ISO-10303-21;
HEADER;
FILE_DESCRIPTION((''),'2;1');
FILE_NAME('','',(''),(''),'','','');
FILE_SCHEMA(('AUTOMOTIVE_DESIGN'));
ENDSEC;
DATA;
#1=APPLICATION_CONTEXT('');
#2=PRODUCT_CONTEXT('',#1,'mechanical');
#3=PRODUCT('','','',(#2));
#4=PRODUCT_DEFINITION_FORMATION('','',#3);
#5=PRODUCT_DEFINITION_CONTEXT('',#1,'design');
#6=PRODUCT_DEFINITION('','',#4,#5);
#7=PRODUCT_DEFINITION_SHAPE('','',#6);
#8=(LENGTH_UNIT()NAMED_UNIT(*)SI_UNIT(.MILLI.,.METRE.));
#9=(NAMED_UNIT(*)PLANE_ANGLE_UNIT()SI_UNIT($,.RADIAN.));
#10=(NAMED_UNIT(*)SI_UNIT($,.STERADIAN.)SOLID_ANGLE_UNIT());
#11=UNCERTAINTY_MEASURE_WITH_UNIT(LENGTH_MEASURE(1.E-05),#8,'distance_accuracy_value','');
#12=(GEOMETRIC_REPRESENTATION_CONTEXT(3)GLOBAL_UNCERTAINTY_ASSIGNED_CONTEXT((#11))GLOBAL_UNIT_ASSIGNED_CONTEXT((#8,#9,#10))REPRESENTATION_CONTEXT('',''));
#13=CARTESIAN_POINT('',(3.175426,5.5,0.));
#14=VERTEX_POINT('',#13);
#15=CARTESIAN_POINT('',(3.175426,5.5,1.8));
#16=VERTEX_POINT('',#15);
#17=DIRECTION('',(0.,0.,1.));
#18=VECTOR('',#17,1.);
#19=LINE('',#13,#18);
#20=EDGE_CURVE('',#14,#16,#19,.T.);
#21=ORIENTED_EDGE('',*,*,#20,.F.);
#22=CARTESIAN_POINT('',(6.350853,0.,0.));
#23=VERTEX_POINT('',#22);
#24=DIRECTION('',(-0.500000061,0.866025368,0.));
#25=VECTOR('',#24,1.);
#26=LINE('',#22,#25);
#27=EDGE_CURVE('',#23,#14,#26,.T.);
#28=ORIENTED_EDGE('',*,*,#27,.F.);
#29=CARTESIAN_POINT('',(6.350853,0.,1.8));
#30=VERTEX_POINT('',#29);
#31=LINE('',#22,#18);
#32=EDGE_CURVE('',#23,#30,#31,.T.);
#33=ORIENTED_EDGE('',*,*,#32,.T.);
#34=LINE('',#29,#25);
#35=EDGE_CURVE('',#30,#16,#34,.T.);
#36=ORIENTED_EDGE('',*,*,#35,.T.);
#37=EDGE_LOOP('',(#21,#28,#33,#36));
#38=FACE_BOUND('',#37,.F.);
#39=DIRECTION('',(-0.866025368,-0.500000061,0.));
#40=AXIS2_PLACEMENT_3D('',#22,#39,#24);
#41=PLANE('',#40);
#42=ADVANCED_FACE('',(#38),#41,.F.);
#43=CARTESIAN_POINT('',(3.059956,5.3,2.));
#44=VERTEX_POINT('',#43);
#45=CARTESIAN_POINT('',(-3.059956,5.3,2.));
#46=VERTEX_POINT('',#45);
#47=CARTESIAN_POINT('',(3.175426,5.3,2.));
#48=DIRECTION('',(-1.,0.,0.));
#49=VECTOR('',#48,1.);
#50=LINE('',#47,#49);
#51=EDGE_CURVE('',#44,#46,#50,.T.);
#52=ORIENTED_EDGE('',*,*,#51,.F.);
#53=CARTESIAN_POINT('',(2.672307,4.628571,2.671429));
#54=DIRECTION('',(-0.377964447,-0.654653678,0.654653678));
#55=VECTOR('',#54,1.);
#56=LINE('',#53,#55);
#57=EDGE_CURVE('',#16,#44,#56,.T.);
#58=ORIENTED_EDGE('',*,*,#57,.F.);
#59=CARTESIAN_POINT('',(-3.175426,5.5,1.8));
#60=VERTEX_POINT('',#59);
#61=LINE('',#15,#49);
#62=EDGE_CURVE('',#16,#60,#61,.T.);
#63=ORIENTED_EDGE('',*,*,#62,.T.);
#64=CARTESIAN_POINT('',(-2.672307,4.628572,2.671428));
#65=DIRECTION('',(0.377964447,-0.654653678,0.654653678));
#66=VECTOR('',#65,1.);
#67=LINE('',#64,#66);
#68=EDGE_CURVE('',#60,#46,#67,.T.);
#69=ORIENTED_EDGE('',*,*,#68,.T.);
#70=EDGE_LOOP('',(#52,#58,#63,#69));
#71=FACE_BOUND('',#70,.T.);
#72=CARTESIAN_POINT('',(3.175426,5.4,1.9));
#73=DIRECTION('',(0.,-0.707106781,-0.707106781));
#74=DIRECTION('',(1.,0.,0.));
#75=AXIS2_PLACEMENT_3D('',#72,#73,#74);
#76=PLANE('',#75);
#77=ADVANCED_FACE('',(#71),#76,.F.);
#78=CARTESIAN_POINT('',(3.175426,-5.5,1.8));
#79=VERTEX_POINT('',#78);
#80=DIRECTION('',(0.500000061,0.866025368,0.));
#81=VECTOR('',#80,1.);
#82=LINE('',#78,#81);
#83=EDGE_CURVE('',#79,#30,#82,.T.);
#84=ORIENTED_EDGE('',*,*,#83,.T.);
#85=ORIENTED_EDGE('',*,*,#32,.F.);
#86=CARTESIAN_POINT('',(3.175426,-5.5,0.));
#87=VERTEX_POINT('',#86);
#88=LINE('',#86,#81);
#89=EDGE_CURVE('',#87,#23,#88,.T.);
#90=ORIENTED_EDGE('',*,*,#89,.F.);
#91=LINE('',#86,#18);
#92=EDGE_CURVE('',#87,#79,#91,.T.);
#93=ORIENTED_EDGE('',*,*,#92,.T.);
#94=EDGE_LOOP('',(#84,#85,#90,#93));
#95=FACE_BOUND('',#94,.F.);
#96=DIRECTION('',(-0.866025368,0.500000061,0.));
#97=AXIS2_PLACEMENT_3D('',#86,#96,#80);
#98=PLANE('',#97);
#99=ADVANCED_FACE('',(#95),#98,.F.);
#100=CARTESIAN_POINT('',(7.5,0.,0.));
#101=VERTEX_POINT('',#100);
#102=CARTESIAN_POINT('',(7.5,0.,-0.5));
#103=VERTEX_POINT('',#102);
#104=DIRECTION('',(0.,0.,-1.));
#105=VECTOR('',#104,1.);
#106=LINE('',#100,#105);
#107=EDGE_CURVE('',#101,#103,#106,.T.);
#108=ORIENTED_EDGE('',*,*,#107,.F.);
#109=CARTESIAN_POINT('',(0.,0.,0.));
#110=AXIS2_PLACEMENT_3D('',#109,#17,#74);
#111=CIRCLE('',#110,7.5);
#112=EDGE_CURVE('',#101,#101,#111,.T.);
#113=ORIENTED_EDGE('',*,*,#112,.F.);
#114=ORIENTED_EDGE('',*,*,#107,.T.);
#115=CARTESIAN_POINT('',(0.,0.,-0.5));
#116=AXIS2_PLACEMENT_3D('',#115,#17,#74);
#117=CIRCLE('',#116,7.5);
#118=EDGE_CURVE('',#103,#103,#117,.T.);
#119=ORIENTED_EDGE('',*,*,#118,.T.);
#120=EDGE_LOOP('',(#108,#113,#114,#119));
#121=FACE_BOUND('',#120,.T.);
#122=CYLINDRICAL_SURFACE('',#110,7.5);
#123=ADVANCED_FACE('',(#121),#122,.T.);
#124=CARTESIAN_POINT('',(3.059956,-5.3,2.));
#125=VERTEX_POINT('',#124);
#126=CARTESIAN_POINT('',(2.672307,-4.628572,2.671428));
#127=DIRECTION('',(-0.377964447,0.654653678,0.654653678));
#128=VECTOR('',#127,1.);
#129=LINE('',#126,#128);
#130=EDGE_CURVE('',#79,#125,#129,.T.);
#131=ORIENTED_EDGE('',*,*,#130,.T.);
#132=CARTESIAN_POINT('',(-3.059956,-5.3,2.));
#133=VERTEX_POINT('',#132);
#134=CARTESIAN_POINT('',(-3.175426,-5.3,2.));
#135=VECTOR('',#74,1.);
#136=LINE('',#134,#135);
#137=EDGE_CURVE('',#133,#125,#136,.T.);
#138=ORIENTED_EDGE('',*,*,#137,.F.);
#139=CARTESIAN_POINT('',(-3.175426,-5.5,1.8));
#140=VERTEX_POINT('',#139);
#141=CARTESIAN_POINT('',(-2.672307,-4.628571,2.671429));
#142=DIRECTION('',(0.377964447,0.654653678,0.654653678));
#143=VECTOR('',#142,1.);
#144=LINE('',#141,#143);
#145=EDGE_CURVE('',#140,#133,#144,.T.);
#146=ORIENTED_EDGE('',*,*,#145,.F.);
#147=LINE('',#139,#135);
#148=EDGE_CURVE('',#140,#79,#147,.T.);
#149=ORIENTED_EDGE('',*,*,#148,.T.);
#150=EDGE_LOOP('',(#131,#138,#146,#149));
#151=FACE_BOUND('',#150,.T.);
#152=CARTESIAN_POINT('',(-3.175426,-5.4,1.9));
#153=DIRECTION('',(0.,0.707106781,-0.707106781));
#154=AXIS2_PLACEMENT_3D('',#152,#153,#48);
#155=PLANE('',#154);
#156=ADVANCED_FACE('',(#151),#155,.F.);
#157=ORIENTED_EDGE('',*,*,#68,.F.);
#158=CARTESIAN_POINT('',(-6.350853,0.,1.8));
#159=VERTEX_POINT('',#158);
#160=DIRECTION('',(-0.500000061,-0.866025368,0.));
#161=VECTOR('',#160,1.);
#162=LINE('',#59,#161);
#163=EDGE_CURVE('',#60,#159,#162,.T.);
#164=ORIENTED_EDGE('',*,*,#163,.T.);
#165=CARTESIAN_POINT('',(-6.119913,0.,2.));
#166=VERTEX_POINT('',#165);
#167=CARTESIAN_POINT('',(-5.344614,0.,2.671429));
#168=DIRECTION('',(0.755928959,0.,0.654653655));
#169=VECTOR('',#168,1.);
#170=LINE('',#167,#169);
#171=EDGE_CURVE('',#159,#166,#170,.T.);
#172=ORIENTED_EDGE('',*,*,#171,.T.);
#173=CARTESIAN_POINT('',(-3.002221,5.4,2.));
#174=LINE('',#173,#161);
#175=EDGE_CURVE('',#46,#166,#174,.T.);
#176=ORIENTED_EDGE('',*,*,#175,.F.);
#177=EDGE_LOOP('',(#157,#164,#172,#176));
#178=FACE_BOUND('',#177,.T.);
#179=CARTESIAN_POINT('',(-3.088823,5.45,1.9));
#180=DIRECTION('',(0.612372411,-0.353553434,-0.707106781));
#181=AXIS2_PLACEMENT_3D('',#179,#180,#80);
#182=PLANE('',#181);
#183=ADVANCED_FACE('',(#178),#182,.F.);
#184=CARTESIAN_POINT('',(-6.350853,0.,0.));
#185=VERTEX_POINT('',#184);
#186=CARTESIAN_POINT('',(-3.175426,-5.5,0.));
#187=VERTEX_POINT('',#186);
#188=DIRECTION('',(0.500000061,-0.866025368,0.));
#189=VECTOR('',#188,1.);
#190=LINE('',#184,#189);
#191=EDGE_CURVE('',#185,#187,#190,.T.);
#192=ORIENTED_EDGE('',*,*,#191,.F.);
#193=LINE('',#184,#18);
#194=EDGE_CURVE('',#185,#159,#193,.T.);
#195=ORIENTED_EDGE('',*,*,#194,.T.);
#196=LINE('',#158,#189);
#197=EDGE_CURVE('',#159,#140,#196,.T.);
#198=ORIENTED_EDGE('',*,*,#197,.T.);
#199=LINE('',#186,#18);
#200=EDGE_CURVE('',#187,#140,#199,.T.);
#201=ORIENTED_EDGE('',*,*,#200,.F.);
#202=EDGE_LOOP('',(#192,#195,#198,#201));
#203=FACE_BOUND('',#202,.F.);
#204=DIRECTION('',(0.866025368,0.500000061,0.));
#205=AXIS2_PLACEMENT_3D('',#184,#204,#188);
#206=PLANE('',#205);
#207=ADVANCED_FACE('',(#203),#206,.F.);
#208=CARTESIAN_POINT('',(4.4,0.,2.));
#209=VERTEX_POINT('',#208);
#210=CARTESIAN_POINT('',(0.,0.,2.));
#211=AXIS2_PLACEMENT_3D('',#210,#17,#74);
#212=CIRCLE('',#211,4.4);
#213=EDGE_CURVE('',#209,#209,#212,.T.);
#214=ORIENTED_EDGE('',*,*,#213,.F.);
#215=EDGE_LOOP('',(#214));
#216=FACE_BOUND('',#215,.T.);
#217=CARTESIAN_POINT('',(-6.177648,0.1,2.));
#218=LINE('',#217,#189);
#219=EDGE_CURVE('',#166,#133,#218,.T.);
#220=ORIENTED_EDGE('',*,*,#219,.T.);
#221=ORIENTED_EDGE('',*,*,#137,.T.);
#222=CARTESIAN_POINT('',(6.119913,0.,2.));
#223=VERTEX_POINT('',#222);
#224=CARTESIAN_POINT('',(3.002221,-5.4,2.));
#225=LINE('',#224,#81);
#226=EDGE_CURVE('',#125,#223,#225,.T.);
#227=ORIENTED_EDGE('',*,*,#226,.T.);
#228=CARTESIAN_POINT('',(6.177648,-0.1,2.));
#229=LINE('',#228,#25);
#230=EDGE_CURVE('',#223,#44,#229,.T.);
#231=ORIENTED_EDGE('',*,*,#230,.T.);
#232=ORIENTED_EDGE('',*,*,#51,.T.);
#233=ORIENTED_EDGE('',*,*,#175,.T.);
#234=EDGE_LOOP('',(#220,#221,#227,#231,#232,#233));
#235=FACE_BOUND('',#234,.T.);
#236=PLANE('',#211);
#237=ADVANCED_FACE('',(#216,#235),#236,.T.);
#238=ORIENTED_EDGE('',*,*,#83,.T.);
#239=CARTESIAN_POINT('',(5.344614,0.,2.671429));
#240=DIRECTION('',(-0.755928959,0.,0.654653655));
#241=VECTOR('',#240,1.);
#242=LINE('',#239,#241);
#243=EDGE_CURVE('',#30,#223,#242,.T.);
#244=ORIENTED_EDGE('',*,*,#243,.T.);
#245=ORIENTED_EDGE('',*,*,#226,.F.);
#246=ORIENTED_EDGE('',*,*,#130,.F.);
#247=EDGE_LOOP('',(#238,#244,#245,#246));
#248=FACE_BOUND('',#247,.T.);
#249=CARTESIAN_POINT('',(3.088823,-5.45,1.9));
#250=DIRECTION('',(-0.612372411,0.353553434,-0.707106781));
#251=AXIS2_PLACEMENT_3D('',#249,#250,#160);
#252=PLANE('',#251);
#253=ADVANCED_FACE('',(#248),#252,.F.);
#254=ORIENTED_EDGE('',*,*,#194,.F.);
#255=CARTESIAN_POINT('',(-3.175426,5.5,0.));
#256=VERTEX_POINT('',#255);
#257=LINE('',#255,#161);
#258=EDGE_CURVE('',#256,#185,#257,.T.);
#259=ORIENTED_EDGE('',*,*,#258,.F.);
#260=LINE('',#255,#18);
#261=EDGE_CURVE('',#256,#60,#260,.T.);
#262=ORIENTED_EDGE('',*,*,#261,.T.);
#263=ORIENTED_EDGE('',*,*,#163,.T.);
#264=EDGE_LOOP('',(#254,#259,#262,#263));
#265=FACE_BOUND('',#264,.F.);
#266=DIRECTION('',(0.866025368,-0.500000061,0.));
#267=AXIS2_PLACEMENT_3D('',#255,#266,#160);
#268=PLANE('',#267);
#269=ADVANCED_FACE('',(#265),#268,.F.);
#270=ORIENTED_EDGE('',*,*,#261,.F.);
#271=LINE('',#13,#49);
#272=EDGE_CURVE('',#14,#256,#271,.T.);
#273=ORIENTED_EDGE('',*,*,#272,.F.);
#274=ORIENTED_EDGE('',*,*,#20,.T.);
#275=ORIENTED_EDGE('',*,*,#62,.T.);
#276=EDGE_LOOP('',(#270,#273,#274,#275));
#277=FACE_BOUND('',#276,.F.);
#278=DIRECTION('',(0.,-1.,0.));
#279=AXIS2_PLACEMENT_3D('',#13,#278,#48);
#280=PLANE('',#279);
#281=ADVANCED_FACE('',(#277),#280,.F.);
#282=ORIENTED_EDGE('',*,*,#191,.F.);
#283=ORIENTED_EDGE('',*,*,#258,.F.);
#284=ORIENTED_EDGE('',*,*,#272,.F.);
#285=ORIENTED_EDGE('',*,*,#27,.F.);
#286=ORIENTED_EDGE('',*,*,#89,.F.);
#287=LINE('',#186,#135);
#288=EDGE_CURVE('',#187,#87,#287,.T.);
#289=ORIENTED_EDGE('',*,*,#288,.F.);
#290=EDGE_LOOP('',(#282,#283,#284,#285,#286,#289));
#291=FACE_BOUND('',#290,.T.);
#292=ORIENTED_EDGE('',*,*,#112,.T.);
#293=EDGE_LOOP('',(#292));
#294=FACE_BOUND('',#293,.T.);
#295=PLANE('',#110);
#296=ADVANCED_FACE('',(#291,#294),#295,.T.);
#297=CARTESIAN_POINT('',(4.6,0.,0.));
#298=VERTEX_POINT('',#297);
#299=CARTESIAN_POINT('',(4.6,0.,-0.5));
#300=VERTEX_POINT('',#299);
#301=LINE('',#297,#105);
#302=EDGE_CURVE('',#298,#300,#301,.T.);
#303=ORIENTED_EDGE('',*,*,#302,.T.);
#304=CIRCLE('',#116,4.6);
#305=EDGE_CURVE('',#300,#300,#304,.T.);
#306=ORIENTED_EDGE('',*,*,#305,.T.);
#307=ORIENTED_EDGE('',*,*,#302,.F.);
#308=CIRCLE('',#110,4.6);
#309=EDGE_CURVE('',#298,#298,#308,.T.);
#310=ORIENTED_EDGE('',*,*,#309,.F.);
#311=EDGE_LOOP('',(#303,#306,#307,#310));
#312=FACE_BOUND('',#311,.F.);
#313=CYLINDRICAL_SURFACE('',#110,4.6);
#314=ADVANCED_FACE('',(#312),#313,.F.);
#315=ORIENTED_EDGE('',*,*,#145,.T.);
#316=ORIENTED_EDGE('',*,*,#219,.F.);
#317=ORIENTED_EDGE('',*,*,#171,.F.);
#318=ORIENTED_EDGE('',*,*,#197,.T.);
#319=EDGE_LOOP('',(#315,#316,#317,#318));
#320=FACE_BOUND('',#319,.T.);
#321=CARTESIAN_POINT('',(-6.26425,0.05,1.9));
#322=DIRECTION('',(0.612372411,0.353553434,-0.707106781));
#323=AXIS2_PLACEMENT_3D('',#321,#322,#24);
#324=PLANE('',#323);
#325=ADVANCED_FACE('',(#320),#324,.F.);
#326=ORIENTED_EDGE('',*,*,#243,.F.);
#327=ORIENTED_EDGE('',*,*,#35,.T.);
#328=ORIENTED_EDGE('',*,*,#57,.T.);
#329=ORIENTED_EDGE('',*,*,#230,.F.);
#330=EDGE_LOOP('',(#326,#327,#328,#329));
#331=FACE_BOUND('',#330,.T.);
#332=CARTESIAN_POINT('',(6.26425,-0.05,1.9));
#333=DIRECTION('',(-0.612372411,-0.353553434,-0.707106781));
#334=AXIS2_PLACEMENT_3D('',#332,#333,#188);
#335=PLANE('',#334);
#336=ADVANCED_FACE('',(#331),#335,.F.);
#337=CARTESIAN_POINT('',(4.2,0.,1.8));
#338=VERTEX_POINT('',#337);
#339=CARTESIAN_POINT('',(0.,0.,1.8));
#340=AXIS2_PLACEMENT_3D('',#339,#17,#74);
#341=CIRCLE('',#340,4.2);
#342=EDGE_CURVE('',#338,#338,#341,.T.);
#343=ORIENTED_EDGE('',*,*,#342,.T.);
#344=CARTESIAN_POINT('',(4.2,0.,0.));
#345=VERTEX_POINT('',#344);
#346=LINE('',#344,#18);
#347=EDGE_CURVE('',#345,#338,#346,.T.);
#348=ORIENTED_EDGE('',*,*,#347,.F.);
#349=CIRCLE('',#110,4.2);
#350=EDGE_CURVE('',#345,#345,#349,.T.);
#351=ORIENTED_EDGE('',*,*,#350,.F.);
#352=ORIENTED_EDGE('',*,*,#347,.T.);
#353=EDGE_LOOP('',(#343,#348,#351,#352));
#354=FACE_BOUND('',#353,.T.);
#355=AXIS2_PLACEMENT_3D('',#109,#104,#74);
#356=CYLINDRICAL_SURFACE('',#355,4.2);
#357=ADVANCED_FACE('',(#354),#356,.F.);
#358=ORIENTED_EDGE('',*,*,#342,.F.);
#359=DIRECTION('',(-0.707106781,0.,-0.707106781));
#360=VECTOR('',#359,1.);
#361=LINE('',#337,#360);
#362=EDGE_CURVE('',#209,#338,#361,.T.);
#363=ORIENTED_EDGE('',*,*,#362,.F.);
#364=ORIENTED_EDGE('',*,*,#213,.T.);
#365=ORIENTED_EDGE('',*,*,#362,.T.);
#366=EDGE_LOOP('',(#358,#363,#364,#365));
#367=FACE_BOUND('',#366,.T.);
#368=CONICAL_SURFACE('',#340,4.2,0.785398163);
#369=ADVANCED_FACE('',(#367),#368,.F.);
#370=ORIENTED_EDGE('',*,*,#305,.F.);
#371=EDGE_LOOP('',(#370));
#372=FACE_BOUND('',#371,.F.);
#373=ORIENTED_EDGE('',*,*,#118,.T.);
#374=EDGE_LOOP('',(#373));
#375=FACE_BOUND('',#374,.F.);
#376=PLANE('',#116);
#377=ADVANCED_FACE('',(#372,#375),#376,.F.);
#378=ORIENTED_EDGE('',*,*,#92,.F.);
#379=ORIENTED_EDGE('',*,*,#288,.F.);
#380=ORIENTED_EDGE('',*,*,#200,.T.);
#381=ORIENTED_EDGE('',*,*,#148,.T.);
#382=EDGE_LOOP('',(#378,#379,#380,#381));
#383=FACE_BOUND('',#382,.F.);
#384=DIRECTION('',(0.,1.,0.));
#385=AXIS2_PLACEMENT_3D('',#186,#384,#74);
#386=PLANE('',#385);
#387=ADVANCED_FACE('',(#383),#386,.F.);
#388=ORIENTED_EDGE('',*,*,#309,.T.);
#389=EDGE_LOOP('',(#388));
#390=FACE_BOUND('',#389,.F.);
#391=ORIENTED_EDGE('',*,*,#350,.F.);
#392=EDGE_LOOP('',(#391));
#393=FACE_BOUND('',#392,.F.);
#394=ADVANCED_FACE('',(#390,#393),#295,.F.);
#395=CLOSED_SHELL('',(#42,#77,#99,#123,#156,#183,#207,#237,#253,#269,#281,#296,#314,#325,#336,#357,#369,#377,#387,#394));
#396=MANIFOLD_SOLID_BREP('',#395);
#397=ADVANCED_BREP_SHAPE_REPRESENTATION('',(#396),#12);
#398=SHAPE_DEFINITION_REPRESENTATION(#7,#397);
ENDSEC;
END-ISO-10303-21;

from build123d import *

# Parameters (mm, degrees)
SKETCH_R      = 4.2
PAD_DEPTH     = 2
SKETCH001_R   = 7.5
SKETCH001_R_2 = 4.6
PAD001_DEPTH  = 0.5
CHAMFER_SIZE  = 0.2


with BuildPart() as part:
    # Sketch → Pad (new body)
    with BuildSketch(Plane.XY):
        Polygon((6.350853, 0), (3.175426, 5.5), (-3.175426, 5.5), (-6.350853, 0), (-3.175426, -5.5), (3.175426, -5.5), align=None)
        Circle(SKETCH_R, mode=Mode.SUBTRACT)
    extrude(amount=PAD_DEPTH)

    # Sketch001 → Pad001 (join)
    with BuildSketch(Plane.XY):
        Circle(SKETCH001_R)
        Circle(SKETCH001_R_2, mode=Mode.SUBTRACT)
    extrude(amount=-PAD001_DEPTH)

    # Chamfer
    chamfer_edges = [part.edges().sort_by_distance(p)[0] for p in [
        (-4.2, 0, 2),
        (-4.76314, 2.75, 2),
        (-4.76314, -2.75, 2),
        (0, -5.5, 2),
        (4.76314, -2.75, 2),
        (4.76314, 2.75, 2),
        (0, 5.5, 2),
    ]]
    chamfer(chamfer_edges, length=CHAMFER_SIZE)


solid = part.part
